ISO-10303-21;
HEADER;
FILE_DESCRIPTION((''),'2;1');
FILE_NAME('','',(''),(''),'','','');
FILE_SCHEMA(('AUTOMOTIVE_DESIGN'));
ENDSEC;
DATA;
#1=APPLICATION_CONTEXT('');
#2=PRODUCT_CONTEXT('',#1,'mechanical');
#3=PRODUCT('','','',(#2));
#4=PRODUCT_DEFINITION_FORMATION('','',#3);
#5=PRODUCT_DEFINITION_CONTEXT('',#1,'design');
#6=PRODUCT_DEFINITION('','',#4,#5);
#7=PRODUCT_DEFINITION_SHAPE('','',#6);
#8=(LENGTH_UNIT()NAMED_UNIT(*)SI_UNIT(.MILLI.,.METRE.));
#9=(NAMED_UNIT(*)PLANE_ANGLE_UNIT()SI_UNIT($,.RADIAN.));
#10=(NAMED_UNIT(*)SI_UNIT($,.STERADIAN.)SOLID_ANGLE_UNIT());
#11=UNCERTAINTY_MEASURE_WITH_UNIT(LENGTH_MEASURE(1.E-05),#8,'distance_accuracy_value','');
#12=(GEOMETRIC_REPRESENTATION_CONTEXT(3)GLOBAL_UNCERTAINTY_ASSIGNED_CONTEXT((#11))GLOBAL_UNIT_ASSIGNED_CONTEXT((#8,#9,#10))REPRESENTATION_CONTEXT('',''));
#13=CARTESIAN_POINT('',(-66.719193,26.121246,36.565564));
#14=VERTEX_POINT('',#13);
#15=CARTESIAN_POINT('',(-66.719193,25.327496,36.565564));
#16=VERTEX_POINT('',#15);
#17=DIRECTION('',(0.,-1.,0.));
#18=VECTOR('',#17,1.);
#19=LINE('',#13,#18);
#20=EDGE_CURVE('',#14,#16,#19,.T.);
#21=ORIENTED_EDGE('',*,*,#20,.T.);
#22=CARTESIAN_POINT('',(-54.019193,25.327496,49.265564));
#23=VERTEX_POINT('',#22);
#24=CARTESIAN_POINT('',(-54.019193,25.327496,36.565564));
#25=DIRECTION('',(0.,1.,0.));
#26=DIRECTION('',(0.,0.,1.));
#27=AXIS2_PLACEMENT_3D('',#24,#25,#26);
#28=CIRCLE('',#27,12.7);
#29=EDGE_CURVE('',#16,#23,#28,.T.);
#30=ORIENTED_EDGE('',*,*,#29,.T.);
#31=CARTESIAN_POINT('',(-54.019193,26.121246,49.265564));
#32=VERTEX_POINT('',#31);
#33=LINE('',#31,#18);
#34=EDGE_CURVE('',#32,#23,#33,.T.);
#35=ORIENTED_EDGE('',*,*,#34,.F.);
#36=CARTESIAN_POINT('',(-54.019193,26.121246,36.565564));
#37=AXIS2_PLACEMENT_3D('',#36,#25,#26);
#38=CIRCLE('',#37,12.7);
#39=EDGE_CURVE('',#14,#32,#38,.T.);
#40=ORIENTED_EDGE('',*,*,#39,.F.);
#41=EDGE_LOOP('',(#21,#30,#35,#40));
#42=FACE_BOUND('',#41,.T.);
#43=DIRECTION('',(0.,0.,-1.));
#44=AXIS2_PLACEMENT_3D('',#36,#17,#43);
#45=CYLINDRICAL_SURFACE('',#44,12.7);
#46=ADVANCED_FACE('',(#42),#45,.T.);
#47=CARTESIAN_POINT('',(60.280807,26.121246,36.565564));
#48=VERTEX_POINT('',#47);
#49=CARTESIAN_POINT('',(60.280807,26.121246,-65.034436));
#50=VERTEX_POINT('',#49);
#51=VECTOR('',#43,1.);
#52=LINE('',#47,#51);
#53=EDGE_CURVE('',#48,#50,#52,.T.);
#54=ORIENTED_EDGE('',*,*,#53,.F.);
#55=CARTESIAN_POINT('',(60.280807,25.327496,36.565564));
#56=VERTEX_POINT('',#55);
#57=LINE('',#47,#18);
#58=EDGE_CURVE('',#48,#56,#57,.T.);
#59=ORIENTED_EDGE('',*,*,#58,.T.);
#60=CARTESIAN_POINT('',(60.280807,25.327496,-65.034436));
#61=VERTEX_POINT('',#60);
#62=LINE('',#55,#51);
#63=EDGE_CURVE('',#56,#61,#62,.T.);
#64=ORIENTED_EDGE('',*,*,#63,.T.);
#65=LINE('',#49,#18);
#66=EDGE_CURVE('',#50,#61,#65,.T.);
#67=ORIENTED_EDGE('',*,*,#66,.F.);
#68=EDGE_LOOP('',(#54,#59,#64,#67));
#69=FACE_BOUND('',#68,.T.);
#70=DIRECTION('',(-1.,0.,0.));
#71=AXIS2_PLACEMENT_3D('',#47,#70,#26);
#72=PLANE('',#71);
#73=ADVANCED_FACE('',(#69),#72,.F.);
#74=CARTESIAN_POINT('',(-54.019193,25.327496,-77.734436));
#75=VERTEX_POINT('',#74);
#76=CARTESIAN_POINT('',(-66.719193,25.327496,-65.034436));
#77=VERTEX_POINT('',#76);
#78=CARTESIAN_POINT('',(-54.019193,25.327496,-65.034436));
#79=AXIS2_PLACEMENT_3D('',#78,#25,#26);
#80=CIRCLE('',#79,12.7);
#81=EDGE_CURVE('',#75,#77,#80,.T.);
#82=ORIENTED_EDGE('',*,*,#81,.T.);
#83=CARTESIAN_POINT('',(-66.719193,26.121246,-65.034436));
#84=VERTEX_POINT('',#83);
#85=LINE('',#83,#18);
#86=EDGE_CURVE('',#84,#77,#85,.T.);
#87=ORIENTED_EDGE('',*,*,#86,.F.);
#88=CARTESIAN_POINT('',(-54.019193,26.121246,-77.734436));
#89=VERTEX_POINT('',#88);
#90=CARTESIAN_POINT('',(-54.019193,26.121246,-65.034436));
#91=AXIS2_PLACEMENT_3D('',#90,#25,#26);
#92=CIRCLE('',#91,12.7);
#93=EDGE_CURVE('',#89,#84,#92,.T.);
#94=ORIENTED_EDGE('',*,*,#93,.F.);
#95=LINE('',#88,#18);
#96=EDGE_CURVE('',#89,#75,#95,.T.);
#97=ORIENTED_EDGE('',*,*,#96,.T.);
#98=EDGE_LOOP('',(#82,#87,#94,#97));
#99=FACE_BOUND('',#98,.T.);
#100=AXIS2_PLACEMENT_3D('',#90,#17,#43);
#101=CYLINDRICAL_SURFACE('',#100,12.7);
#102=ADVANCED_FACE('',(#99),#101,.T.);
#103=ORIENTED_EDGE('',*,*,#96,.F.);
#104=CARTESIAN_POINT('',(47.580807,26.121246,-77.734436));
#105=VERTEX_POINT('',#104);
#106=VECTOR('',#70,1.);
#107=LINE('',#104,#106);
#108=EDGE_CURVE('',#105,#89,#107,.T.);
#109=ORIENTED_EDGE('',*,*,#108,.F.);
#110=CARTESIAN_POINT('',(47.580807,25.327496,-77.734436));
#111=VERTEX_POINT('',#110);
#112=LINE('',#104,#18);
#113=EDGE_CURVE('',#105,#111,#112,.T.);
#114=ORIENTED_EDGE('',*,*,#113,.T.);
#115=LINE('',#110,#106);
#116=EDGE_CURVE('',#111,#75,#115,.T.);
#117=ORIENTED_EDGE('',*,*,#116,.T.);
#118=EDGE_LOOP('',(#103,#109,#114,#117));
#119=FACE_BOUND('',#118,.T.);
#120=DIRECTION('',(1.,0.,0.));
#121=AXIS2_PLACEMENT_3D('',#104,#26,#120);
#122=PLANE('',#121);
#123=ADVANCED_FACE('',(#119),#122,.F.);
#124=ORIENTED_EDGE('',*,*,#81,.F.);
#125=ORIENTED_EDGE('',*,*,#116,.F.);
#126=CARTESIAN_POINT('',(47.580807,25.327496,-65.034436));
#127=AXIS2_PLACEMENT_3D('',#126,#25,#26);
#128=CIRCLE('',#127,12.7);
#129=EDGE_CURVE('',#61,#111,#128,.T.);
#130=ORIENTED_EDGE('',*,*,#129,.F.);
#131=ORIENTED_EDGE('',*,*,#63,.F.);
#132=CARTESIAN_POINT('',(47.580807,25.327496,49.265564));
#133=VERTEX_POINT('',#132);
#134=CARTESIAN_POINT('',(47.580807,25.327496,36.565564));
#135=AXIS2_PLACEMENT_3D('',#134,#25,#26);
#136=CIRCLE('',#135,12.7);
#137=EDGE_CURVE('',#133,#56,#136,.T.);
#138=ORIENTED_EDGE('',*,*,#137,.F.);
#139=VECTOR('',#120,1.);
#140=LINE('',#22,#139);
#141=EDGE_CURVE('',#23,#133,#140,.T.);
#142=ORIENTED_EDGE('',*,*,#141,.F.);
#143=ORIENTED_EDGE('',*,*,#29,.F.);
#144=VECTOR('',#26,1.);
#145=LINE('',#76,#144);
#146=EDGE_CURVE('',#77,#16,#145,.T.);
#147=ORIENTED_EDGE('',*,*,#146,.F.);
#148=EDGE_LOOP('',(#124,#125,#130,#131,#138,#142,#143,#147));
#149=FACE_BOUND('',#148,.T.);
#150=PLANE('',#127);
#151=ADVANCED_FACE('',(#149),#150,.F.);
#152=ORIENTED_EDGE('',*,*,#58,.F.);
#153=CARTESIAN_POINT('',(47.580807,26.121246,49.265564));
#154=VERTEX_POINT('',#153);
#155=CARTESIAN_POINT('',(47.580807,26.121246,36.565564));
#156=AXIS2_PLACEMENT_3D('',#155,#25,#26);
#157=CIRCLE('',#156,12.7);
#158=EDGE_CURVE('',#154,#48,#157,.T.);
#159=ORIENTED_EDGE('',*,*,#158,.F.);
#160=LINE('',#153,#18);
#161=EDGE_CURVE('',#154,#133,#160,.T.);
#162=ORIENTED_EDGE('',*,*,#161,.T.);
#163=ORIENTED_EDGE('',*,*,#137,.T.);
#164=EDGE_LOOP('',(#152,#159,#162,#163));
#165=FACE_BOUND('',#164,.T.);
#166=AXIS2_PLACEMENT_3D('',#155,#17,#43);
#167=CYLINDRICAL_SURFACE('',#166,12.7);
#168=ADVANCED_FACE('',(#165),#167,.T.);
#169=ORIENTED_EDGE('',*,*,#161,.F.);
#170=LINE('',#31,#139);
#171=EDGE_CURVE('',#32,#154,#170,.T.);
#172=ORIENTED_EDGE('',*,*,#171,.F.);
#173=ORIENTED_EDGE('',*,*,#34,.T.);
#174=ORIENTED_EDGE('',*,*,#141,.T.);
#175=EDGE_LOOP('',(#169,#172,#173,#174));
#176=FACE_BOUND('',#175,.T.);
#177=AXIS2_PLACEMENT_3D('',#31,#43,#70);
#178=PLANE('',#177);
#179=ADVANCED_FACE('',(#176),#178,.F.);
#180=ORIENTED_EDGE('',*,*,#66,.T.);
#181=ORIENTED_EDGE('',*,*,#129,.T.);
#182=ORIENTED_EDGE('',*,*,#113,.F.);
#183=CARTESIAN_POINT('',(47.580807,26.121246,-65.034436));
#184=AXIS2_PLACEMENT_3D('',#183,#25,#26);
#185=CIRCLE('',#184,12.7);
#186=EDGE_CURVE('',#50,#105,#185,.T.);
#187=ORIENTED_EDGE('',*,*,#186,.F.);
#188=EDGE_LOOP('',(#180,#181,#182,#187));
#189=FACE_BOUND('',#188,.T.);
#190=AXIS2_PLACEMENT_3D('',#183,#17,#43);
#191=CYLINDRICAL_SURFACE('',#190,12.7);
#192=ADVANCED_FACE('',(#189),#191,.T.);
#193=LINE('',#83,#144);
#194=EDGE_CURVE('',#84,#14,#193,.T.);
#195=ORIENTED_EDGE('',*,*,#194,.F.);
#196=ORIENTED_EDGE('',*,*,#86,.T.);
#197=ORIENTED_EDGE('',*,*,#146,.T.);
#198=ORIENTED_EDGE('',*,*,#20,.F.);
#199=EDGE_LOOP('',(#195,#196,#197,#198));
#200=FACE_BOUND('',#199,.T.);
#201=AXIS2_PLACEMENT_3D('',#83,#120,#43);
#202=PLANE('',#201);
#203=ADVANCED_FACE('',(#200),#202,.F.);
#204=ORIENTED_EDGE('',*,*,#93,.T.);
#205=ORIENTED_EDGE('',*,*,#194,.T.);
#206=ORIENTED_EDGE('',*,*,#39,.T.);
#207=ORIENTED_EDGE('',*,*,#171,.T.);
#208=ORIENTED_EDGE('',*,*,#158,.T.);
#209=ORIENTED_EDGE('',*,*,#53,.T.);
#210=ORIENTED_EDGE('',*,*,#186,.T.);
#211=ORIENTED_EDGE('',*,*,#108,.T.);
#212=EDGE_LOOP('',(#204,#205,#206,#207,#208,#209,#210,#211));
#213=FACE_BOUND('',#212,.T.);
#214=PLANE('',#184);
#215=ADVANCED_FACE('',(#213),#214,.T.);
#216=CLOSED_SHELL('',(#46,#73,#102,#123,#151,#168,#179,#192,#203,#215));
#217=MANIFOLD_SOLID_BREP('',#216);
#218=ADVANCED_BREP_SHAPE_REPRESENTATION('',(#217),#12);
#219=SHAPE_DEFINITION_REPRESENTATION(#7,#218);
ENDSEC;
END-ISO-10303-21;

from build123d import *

# Parameters (mm, degrees)
MAINBODY_DEPTH = 0.79375


with BuildPart() as part:
    # Sketch1 → MainBody (new body)
    with BuildSketch(Plane(origin=(0, 25.327496354, 0), x_dir=(1, 0, 0), z_dir=(0, 1, 0))):
        with BuildLine():
            Line((60.280806561, -36.565564287), (60.280806561, 65.034435713))
            ThreePointArc((60.280806561, 65.034435713), (56.561062682, 74.014691834), (47.580806561, 77.734435713))
            Line((47.580806561, 77.734435713), (-54.019193439, 77.734435713))
            ThreePointArc((-54.019193439, 77.734435713), (-62.99944956, 74.014691834), (-66.719193439, 65.034435713))
            Line((-66.719193439, 65.034435713), (-66.719193439, -36.565564287))
            ThreePointArc((-66.719193439, -36.565564287), (-62.99944956, -45.545820408), (-54.019193439, -49.265564287))
            Line((-54.019193439, -49.265564287), (47.580806561, -49.265564287))
            ThreePointArc((47.580806561, -49.265564287), (56.561062682, -45.545820408), (60.280806561, -36.565564287))
        make_face()
    extrude(amount=MAINBODY_DEPTH)


solid = part.part
